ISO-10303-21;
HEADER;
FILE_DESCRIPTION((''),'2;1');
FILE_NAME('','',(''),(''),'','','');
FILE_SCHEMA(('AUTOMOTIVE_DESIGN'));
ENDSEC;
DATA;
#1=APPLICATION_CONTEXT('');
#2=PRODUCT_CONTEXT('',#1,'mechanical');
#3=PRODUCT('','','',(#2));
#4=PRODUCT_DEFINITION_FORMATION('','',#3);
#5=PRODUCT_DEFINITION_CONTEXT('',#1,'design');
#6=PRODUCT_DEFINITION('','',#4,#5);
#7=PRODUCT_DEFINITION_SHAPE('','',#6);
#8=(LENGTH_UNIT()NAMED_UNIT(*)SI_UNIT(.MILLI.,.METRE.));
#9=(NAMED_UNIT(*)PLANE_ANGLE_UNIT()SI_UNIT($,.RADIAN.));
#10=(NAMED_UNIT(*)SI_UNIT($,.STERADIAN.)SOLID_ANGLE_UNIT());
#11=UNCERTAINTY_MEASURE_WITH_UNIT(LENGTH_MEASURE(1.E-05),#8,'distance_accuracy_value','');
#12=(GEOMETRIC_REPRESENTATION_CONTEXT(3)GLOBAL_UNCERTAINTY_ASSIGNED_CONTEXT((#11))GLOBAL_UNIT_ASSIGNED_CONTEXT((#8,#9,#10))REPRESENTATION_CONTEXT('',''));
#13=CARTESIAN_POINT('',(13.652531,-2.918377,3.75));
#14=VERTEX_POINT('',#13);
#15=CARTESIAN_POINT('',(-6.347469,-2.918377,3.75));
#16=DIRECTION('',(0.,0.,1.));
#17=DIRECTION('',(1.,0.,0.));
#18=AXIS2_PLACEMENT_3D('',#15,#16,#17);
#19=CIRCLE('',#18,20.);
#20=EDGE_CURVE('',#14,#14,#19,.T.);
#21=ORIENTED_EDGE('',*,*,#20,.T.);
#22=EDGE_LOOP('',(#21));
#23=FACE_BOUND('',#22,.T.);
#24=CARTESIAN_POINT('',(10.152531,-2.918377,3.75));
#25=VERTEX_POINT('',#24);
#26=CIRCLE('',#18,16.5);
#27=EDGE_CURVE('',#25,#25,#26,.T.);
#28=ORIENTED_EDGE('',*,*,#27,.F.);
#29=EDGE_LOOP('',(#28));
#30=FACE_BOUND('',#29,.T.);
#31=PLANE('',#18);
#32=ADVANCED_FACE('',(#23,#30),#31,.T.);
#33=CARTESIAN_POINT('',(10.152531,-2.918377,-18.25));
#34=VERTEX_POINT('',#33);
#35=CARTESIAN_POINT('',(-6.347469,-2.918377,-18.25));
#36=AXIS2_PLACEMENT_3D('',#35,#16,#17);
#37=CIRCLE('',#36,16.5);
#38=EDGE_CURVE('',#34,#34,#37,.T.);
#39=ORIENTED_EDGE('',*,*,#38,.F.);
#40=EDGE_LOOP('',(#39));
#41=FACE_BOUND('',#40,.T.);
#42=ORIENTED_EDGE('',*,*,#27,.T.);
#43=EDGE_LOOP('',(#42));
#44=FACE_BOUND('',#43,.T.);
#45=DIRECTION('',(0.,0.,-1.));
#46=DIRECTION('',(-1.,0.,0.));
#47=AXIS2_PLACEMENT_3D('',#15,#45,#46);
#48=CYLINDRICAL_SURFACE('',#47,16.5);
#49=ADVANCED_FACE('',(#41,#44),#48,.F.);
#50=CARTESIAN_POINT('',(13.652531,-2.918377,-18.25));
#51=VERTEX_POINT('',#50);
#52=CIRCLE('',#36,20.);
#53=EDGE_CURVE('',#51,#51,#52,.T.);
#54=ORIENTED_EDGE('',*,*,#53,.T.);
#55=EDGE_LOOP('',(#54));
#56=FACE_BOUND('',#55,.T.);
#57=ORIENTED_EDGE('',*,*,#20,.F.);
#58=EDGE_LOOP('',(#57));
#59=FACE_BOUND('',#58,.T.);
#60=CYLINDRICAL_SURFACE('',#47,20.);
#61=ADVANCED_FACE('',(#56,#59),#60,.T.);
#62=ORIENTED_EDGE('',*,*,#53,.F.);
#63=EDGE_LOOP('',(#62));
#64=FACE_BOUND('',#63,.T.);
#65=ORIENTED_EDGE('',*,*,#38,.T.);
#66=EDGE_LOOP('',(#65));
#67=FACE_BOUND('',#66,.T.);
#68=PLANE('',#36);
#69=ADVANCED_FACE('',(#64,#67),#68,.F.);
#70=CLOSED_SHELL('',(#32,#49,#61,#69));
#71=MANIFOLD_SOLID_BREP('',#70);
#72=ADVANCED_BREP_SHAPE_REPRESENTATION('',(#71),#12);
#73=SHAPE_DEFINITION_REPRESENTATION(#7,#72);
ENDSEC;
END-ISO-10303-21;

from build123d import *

# Parameters (mm, degrees)
SALIENTE_EXTRUIR1_DEPTH      = 3.75
SALIENTE_EXTRUIR1_DEPTH_BACK = 18.25
CROQUIS1_R                   = 20
CROQUIS1_R_2                 = 16.5


with BuildPart() as part:
    # Croquis1 → Saliente-Extruir1 (new, two sides: drawn at the far end of the back side and taken through both)
    with BuildSketch(Plane.XY.offset(-SALIENTE_EXTRUIR1_DEPTH_BACK)):
        with Locations((-6.34746922, -2.918376653)):
            Circle(CROQUIS1_R)
        with Locations((-6.34746922, -2.918376653)):
            Circle(CROQUIS1_R_2, mode=Mode.SUBTRACT)
    extrude(amount=SALIENTE_EXTRUIR1_DEPTH + SALIENTE_EXTRUIR1_DEPTH_BACK)


solid = part.part
